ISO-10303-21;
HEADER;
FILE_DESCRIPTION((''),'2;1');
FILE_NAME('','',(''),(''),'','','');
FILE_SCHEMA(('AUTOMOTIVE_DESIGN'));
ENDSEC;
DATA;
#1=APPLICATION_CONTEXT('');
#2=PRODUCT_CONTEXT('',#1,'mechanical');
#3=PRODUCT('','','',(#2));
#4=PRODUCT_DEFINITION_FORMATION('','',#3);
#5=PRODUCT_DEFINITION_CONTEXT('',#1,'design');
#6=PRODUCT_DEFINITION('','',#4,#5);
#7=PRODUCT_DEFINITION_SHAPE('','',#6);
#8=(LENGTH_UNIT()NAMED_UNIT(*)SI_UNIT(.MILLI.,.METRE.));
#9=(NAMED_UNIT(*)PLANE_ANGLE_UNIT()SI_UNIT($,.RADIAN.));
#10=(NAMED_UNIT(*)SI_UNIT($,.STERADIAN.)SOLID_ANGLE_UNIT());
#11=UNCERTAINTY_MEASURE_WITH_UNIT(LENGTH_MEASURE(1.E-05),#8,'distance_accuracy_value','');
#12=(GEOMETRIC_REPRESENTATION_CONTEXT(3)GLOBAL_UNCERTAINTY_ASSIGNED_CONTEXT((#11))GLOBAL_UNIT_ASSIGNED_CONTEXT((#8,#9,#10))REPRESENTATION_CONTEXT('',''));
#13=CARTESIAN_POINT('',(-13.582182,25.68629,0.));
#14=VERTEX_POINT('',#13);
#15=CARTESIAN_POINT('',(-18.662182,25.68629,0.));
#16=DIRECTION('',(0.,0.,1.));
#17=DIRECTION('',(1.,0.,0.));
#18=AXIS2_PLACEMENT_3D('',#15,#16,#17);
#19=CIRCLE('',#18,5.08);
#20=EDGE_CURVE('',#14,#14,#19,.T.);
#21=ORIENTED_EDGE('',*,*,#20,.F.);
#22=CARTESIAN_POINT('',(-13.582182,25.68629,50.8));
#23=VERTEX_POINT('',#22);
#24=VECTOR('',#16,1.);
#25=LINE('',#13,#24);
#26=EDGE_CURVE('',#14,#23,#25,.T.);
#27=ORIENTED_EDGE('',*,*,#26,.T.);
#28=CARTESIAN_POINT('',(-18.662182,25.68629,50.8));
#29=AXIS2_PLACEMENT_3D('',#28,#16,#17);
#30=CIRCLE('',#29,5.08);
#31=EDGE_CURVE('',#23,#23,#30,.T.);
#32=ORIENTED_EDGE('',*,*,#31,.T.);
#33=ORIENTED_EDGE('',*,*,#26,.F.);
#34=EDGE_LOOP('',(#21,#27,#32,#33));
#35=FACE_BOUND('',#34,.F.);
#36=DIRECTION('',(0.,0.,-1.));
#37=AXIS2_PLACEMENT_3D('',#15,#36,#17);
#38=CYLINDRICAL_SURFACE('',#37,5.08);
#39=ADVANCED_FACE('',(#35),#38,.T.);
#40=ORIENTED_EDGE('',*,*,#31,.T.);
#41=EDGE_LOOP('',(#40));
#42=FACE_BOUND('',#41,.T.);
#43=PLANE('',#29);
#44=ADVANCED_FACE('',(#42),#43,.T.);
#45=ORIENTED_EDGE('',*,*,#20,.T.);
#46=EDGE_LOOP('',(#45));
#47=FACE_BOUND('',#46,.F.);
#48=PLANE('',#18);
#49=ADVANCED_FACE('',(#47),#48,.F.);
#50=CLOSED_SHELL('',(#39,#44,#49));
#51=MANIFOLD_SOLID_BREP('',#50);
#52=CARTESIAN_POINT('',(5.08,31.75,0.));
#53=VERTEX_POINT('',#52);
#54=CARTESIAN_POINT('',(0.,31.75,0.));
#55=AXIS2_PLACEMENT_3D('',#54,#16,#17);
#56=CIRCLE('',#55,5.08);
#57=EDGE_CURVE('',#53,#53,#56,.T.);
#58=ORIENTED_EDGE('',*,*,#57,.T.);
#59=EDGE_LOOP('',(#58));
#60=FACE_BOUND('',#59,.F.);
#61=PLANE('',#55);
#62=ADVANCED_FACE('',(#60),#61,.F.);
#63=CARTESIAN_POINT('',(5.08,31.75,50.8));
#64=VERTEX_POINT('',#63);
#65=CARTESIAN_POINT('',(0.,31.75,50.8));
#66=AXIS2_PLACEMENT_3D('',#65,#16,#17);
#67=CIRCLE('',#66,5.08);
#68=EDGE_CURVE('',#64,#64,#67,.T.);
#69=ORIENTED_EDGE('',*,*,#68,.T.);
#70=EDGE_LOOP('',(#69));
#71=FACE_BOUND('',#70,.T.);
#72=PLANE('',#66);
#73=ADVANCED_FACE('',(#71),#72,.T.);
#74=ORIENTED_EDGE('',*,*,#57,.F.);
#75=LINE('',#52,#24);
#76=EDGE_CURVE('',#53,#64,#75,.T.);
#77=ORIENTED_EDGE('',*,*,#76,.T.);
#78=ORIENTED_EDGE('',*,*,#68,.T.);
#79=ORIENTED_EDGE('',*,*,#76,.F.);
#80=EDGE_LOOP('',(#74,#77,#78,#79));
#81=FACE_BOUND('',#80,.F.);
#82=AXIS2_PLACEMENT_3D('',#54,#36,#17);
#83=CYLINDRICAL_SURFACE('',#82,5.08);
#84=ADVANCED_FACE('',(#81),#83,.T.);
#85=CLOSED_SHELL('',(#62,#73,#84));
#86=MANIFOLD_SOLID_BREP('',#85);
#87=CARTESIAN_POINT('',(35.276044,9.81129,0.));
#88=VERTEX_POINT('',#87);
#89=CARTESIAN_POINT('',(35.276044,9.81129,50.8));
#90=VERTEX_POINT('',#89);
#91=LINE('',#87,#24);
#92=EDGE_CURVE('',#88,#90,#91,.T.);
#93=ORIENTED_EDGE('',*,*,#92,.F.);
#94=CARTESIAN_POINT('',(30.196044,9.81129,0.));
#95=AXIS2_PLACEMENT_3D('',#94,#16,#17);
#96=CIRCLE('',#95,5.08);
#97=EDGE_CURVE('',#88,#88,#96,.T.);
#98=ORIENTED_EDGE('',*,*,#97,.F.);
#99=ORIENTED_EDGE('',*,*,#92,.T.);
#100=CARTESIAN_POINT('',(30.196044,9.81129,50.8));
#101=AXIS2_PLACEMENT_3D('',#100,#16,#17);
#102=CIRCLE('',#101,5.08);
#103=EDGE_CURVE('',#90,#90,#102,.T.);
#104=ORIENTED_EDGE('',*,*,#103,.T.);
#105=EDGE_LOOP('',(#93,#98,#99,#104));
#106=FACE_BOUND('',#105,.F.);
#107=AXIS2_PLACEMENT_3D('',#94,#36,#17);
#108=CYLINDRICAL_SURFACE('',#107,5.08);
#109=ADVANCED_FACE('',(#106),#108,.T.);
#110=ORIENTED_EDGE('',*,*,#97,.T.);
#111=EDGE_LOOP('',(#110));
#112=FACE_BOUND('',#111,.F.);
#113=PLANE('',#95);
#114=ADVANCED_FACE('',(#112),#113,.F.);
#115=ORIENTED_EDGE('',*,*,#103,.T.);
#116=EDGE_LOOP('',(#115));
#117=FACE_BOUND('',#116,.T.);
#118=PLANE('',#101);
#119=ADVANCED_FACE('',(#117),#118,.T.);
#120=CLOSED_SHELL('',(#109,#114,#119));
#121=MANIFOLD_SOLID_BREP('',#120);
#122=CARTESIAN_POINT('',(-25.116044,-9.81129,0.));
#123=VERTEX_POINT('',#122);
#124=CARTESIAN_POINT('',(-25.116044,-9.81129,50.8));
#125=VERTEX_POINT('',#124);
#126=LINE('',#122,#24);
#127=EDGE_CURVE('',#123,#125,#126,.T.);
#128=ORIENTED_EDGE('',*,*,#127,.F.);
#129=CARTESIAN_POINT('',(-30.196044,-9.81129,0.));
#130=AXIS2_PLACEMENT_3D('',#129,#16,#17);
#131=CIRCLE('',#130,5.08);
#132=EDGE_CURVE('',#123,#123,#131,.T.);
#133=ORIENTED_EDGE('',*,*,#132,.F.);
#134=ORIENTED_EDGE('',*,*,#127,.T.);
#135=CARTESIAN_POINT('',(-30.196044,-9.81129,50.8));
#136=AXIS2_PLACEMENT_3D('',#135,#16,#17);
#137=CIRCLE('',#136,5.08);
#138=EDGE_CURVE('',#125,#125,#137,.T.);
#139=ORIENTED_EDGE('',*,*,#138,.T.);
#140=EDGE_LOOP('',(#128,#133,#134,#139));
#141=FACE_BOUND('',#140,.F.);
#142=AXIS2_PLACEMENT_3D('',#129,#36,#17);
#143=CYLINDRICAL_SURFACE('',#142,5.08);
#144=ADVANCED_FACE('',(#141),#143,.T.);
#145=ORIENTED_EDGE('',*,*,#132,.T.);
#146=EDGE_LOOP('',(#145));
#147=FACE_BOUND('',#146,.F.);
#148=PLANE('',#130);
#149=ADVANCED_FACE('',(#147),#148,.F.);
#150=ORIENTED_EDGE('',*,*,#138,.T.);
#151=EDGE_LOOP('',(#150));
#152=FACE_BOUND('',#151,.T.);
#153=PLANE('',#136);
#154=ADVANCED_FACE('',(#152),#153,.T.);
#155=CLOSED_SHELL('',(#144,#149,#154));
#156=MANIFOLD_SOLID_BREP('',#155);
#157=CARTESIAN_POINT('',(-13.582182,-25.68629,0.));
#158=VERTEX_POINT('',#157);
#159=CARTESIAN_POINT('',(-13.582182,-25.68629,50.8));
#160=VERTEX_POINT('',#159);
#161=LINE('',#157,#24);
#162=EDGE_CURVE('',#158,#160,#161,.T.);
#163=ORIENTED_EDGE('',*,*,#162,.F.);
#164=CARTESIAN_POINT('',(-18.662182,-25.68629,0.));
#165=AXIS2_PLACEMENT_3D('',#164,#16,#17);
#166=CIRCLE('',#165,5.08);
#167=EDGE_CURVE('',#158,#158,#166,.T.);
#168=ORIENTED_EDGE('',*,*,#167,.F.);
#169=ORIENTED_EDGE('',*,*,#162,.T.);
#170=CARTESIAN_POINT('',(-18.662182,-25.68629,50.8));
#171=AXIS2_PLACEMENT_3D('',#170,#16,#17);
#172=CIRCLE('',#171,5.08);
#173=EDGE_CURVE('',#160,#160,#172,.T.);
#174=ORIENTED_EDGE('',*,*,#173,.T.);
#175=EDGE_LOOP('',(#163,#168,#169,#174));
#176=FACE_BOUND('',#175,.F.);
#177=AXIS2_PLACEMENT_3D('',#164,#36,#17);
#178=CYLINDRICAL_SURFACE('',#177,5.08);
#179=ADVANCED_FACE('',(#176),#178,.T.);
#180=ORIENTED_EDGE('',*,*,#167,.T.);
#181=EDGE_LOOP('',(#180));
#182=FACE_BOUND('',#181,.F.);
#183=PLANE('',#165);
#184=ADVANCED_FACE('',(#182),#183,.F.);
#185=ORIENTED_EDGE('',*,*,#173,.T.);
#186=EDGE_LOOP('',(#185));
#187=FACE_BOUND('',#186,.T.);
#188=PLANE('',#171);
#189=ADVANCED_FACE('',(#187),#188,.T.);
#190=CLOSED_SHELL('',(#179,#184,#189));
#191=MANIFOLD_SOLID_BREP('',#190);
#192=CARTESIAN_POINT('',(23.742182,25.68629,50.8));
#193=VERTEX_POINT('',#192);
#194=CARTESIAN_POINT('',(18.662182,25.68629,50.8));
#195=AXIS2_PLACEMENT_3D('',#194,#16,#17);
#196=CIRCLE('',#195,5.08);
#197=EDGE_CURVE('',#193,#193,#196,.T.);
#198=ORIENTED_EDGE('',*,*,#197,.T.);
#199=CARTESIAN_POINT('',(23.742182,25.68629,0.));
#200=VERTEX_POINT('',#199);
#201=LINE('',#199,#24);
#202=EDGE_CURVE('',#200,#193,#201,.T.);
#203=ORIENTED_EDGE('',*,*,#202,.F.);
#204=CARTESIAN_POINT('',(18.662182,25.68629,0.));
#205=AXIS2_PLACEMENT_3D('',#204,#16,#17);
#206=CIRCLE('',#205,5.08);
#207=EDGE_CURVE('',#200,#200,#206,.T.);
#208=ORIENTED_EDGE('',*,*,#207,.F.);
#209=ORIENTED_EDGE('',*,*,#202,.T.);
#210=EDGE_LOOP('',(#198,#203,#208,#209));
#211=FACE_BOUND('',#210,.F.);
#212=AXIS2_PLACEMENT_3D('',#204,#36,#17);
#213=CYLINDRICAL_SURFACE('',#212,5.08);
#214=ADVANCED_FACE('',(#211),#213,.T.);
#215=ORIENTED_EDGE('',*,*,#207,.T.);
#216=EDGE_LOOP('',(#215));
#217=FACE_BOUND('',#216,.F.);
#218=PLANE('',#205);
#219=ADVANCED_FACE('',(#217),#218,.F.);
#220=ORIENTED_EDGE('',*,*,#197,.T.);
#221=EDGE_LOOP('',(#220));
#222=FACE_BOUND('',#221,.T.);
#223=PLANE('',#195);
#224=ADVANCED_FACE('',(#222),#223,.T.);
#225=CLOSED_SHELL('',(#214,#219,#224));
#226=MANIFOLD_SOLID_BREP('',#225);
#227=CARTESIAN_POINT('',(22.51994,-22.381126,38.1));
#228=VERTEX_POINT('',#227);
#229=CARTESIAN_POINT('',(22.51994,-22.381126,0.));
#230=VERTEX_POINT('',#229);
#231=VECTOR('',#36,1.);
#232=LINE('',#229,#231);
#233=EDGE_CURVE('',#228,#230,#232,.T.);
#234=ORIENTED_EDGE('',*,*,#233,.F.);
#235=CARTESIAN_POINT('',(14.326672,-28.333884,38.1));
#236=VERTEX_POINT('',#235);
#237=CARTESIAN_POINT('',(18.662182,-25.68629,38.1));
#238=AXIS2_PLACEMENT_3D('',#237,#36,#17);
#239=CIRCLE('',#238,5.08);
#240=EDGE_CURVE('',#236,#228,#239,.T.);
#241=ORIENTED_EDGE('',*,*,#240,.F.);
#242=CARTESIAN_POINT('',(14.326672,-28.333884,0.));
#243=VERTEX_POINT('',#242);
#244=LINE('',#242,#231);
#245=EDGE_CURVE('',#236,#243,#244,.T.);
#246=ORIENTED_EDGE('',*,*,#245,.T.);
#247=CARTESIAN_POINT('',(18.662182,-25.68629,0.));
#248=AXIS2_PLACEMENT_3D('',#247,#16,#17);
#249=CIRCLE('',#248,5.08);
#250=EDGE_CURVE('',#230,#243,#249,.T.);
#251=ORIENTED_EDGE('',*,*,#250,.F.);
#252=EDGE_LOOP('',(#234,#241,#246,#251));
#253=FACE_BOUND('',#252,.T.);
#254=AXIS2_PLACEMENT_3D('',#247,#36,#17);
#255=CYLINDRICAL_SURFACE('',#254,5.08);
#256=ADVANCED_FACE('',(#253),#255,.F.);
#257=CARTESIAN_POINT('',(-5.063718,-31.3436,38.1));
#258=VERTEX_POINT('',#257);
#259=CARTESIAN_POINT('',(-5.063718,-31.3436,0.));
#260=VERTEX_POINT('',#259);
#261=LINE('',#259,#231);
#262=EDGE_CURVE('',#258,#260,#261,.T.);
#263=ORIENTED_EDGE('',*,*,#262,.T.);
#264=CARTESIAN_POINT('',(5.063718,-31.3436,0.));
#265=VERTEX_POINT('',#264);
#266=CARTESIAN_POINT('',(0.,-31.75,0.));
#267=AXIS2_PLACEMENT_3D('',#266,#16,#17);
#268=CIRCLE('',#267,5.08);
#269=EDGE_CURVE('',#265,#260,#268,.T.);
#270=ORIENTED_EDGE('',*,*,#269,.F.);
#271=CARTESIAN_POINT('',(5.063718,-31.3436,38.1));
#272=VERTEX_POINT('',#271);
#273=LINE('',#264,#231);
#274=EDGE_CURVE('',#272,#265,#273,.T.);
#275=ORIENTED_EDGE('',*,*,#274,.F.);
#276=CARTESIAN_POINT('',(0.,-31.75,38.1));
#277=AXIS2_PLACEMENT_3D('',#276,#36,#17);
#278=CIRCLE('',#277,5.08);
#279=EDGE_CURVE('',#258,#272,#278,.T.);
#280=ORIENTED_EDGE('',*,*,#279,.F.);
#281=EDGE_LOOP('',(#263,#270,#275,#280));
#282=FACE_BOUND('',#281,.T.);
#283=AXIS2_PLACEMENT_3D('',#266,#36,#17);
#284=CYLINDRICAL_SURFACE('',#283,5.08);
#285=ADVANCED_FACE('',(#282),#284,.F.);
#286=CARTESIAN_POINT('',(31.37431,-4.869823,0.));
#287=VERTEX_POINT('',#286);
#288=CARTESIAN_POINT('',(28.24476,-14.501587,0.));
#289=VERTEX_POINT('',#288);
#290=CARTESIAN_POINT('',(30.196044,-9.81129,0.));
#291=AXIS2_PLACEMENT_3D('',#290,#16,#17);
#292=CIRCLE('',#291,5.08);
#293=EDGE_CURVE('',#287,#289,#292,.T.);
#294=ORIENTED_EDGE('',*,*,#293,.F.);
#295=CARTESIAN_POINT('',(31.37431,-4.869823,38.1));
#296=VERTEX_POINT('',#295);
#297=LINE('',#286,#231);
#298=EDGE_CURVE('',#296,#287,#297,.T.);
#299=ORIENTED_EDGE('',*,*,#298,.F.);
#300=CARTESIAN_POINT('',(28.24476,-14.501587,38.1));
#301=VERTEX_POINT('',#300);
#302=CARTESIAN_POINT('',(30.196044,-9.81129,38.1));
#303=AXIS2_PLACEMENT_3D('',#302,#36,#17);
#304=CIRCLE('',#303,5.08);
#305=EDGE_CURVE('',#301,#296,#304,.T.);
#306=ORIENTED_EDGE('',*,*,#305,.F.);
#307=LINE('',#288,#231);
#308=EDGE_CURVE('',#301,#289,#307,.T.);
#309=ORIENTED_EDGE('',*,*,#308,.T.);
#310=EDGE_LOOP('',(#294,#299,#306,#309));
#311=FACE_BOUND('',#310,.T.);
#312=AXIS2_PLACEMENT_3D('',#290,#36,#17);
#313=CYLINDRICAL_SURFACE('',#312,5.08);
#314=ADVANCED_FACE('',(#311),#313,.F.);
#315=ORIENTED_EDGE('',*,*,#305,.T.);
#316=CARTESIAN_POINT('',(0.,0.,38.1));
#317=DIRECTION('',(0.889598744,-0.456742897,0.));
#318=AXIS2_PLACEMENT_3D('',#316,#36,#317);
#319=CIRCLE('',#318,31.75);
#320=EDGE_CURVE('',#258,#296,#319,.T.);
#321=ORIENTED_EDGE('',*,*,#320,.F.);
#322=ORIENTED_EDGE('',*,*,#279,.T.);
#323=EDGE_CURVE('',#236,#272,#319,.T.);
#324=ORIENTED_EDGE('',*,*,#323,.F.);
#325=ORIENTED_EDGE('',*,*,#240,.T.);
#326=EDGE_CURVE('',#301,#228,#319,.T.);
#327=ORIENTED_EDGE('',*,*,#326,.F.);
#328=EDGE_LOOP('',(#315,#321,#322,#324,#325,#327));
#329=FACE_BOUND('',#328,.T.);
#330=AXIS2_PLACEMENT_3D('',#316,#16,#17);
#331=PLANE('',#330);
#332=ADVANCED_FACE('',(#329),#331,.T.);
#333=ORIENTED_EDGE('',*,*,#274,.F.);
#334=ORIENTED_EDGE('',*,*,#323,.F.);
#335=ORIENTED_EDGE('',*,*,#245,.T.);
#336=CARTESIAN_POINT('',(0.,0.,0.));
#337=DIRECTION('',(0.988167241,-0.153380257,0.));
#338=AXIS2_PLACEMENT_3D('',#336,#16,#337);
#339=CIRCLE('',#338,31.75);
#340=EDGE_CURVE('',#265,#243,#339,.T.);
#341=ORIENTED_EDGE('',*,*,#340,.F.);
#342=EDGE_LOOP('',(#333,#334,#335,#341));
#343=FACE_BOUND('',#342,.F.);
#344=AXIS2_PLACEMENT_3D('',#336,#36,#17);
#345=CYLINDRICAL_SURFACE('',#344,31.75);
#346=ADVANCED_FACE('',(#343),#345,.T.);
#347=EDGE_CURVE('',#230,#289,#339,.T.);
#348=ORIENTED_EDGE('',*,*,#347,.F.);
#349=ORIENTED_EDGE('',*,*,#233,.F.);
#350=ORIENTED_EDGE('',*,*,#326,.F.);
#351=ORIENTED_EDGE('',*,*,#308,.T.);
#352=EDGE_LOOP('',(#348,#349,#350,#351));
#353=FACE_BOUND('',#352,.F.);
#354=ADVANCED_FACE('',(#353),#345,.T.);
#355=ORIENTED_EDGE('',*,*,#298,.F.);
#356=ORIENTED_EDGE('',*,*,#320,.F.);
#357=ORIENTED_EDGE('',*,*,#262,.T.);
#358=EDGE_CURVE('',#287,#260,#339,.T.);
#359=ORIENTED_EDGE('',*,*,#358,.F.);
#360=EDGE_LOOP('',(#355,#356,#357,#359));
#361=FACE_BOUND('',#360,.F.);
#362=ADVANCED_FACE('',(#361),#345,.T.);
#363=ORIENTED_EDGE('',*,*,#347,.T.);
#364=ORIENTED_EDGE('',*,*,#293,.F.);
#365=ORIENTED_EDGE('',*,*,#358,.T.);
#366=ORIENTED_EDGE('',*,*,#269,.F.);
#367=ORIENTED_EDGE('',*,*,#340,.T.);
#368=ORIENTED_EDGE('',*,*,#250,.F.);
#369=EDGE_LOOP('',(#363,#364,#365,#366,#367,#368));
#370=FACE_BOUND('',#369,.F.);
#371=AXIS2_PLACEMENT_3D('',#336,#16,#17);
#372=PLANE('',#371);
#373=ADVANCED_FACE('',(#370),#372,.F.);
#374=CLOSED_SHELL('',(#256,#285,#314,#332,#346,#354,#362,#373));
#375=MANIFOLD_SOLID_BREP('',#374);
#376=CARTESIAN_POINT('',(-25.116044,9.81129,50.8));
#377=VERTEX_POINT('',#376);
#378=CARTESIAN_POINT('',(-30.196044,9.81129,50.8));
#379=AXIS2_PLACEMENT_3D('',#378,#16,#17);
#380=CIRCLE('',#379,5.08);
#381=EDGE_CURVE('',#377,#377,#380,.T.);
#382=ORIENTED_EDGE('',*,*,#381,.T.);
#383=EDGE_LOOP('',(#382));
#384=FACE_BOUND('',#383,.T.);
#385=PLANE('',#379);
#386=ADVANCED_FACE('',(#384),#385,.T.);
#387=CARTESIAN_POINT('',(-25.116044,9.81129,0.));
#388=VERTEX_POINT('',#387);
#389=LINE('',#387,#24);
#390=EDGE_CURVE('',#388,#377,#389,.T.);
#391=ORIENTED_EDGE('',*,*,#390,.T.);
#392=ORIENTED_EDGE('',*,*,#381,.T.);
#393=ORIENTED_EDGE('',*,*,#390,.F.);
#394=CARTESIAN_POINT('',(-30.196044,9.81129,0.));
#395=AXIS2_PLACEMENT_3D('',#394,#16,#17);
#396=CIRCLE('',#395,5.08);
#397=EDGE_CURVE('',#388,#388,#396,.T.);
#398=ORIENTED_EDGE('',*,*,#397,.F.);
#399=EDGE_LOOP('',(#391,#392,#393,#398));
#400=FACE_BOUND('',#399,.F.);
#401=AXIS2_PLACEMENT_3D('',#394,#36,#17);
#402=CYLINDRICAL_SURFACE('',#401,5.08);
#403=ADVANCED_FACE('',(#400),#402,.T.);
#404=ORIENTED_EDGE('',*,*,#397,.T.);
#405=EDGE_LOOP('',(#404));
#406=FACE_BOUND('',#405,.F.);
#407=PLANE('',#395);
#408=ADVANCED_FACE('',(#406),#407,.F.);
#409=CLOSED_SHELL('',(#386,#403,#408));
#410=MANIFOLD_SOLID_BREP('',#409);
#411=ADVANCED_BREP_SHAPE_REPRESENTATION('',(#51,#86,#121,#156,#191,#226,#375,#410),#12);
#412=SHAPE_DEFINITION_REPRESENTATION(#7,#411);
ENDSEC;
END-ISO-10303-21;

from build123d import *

# Parameters (mm, degrees)
F0_R     = 31.75
F1_DEPTH = 38.1
F2_R     = 5.08
F3_DEPTH = 50.8


with BuildPart() as f1:
    # F0 (on Top) → F1 (new body)
    with BuildSketch(Plane.XY):
        Circle(F0_R)
    extrude(amount=F1_DEPTH)


with BuildPart() as f3:
    # F2 (on Top) → F3 (new body)
    with BuildSketch(Plane.XY):
        with Locations((0, 31.75)):
            Circle(F2_R)
    extrude(amount=F3_DEPTH)


with BuildPart() as f3b:
    # F2 (on Top) → F3, piece 2 (new body)
    with BuildSketch(Plane.XY):
        with Locations((-18.6621817603, 25.6862895714)):
            Circle(F2_R)
    extrude(amount=F3_DEPTH)


with BuildPart() as f3c:
    # F2 (on Top) → F3, piece 3 (new body)
    with BuildSketch(Plane.XY):
        with Locations((-30.1960443924, 9.8112895714)):
            Circle(F2_R)
    extrude(amount=F3_DEPTH)


with BuildPart() as f3d:
    # F2 (on Top) → F3, piece 4 (new body)
    with BuildSketch(Plane.XY):
        with Locations((-30.1960443924, -9.8112895714)):
            Circle(F2_R)
    extrude(amount=F3_DEPTH)


with BuildPart() as f3e:
    # F2 (on Top) → F3, piece 5 (new body)
    with BuildSketch(Plane.XY):
        with Locations((-18.6621817603, -25.6862895714)):
            Circle(F2_R)
    extrude(amount=F3_DEPTH)


with BuildPart() as f3f:
    # F2 (on Top) → F3, piece 6 (new body)
    with BuildSketch(Plane.XY):
        with Locations((0, -31.75)):
            Circle(F2_R)
    extrude(amount=F3_DEPTH)


with BuildPart() as f3g:
    # F2 (on Top) → F3, piece 7 (new body)
    with BuildSketch(Plane.XY):
        with Locations((18.6621817603, -25.6862895714)):
            Circle(F2_R)
    extrude(amount=F3_DEPTH)


with BuildPart() as f3h:
    # F2 (on Top) → F3, piece 8 (new body)
    with BuildSketch(Plane.XY):
        with Locations((30.1960443924, -9.8112895714)):
            Circle(F2_R)
    extrude(amount=F3_DEPTH)


with BuildPart() as f3i:
    # F2 (on Top) → F3, piece 9 (new body)
    with BuildSketch(Plane.XY):
        with Locations((30.1960443924, 9.8112895714)):
            Circle(F2_R)
    extrude(amount=F3_DEPTH)


with BuildPart() as f3j:
    # F2 (on Top) → F3, piece 10 (new body)
    with BuildSketch(Plane.XY):
        with Locations((18.6621817603, 25.6862895714)):
            Circle(F2_R)
    extrude(amount=F3_DEPTH)


with BuildPart() as f1_1:
    add(f1.part)

    # F4: cut F3h, F3g, F3f
    add(f3h.part, mode=Mode.SUBTRACT)
    add(f3g.part, mode=Mode.SUBTRACT)
    add(f3f.part, mode=Mode.SUBTRACT)


solid = Compound([f3.part, f3b.part, f3c.part, f3d.part, f3e.part, f3i.part, f3j.part, f1_1.part])
